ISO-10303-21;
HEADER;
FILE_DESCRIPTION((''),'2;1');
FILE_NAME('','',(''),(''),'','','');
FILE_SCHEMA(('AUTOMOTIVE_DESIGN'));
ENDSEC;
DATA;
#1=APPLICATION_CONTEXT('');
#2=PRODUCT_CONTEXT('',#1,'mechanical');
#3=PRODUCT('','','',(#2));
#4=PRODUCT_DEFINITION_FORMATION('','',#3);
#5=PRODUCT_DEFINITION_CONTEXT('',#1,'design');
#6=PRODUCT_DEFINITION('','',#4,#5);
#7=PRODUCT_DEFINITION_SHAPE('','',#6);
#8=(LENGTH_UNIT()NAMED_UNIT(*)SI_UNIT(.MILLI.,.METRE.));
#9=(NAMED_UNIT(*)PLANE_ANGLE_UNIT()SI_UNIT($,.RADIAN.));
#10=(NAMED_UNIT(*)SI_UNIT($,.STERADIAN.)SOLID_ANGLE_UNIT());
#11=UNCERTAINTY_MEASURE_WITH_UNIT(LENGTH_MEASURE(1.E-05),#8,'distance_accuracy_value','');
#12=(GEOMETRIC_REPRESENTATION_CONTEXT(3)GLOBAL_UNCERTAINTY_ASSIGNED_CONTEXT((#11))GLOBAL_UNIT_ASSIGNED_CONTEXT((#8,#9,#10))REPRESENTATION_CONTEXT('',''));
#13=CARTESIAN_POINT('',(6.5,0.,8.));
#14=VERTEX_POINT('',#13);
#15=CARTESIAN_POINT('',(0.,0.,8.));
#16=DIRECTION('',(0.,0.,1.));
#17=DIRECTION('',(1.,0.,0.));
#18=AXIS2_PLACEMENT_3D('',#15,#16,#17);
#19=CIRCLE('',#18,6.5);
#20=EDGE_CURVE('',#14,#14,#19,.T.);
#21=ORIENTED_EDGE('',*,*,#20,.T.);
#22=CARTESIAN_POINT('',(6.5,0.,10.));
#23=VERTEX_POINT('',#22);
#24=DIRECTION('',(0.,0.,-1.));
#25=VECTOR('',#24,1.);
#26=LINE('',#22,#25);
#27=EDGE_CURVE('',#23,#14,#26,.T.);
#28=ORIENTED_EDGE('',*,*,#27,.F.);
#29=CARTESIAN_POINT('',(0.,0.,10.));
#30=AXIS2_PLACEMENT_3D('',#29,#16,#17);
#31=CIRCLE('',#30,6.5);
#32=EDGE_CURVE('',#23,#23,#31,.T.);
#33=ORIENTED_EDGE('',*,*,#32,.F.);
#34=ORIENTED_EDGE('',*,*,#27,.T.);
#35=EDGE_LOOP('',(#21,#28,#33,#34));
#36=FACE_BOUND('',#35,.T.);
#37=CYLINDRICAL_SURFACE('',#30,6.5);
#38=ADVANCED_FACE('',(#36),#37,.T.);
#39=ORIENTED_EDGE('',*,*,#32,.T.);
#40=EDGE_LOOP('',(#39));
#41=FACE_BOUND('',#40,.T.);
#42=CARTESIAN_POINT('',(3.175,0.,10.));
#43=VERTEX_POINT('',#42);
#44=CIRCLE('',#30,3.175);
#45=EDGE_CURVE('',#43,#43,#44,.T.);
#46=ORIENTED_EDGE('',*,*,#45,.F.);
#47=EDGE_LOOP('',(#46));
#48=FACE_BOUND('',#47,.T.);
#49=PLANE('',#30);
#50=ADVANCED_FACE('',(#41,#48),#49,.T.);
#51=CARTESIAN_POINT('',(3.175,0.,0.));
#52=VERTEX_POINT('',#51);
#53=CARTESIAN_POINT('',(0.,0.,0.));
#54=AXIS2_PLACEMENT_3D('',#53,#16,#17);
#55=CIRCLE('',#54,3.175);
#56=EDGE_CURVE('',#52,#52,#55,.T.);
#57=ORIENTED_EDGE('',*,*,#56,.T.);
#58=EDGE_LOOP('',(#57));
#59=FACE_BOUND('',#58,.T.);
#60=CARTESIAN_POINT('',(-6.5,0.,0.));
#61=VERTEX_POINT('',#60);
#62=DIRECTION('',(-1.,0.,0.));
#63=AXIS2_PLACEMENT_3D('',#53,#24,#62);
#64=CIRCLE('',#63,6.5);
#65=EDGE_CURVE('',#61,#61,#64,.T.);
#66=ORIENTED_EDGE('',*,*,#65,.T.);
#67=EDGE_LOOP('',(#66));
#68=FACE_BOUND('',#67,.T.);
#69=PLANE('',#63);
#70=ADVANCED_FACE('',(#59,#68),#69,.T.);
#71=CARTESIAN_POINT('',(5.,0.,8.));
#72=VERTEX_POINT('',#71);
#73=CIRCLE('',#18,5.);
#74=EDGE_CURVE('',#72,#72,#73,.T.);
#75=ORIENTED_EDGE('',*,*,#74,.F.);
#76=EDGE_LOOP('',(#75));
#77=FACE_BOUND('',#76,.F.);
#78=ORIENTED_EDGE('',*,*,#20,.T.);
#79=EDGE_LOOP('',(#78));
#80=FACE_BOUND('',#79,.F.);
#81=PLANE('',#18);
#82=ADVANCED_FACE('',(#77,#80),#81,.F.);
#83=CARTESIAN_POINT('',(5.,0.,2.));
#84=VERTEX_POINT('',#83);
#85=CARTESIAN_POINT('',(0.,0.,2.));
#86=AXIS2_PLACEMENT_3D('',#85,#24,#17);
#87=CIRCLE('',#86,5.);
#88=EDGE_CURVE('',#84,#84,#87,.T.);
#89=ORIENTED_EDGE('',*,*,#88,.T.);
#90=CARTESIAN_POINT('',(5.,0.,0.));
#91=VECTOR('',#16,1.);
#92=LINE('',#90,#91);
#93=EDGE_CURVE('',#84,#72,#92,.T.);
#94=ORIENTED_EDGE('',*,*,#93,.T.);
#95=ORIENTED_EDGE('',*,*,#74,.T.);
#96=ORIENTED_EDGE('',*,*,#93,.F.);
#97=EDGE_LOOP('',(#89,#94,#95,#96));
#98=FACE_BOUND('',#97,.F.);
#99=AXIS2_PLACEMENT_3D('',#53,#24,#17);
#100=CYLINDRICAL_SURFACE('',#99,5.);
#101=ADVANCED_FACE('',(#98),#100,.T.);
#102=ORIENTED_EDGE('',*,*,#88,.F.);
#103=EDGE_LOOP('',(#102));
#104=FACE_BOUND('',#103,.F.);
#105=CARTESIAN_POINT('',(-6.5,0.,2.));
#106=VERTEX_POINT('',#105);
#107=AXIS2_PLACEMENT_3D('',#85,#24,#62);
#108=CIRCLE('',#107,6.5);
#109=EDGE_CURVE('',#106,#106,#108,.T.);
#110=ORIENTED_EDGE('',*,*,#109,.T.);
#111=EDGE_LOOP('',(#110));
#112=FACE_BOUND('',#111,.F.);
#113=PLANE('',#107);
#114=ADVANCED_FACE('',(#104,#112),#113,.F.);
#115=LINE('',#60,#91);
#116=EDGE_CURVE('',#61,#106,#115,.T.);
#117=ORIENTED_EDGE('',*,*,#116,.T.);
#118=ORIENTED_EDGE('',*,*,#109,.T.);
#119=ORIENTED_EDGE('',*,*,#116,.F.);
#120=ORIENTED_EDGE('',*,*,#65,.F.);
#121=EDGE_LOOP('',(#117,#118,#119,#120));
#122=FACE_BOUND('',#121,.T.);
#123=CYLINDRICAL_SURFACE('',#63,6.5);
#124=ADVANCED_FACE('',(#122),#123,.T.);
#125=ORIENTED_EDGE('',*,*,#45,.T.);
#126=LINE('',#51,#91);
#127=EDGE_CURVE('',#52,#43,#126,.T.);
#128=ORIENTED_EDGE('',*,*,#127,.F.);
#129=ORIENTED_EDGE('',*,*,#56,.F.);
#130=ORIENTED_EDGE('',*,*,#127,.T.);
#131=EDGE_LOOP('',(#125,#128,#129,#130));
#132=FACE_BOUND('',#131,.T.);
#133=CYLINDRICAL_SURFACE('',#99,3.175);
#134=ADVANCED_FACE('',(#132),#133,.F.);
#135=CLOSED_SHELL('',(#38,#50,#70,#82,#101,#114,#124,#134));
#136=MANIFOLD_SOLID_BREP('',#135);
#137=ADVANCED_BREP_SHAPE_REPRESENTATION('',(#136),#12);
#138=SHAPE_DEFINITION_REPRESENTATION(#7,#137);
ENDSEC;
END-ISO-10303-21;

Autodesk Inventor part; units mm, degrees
ref_plane "YZ Plane" through (0, 0, 0) normal (1, 0, 0) x (0, 1, 0)
ref_plane "XZ Plane" through (0, 0, 0) normal (0, 1, 0) x (-1, 0, 0)
ref_plane "XY Plane" through (0, 0, 0) normal (0, 0, 1) x (1, 0, 0)
sketch "Sketch1" plane through (0, 0, 0) normal (0, 0, 1) x (1, 0, 0)
  circle A0 centre (0, 0) radius 5
  circle A1 centre (0, 0) radius 3.175
  dimension "d0" = 10
  dimension "d1" = 6.35
extrude "Extrusion1" add sketch "Sketch1" along normal blind 10
sketch "Sketch2" plane through (0, 0, 10) normal (0, 0, 1) x (1, 0, 0)
  circle A0 centre (0, 0) radius 5 projected
  circle A1 centre (0, 0) radius 6.5
  dimension "d4" = 13
sketch "Sketch4" plane through (0, 0, 0) normal (0, 0, -1) x (-1, 0, 0)
  circle A0 centre (0, 0) radius 6.5
  circle A1 centre (0, 0) radius 5 projected
  dimension "d8" = 13
extrude "Extrusion2" add sketch "Sketch2" against normal blind 2
extrude "Extrusion3" add sketch "Sketch4" against normal blind 2
equation "\"d11\" = d9"
equation "\"d9\" = 2"
properties part number "spindle"
